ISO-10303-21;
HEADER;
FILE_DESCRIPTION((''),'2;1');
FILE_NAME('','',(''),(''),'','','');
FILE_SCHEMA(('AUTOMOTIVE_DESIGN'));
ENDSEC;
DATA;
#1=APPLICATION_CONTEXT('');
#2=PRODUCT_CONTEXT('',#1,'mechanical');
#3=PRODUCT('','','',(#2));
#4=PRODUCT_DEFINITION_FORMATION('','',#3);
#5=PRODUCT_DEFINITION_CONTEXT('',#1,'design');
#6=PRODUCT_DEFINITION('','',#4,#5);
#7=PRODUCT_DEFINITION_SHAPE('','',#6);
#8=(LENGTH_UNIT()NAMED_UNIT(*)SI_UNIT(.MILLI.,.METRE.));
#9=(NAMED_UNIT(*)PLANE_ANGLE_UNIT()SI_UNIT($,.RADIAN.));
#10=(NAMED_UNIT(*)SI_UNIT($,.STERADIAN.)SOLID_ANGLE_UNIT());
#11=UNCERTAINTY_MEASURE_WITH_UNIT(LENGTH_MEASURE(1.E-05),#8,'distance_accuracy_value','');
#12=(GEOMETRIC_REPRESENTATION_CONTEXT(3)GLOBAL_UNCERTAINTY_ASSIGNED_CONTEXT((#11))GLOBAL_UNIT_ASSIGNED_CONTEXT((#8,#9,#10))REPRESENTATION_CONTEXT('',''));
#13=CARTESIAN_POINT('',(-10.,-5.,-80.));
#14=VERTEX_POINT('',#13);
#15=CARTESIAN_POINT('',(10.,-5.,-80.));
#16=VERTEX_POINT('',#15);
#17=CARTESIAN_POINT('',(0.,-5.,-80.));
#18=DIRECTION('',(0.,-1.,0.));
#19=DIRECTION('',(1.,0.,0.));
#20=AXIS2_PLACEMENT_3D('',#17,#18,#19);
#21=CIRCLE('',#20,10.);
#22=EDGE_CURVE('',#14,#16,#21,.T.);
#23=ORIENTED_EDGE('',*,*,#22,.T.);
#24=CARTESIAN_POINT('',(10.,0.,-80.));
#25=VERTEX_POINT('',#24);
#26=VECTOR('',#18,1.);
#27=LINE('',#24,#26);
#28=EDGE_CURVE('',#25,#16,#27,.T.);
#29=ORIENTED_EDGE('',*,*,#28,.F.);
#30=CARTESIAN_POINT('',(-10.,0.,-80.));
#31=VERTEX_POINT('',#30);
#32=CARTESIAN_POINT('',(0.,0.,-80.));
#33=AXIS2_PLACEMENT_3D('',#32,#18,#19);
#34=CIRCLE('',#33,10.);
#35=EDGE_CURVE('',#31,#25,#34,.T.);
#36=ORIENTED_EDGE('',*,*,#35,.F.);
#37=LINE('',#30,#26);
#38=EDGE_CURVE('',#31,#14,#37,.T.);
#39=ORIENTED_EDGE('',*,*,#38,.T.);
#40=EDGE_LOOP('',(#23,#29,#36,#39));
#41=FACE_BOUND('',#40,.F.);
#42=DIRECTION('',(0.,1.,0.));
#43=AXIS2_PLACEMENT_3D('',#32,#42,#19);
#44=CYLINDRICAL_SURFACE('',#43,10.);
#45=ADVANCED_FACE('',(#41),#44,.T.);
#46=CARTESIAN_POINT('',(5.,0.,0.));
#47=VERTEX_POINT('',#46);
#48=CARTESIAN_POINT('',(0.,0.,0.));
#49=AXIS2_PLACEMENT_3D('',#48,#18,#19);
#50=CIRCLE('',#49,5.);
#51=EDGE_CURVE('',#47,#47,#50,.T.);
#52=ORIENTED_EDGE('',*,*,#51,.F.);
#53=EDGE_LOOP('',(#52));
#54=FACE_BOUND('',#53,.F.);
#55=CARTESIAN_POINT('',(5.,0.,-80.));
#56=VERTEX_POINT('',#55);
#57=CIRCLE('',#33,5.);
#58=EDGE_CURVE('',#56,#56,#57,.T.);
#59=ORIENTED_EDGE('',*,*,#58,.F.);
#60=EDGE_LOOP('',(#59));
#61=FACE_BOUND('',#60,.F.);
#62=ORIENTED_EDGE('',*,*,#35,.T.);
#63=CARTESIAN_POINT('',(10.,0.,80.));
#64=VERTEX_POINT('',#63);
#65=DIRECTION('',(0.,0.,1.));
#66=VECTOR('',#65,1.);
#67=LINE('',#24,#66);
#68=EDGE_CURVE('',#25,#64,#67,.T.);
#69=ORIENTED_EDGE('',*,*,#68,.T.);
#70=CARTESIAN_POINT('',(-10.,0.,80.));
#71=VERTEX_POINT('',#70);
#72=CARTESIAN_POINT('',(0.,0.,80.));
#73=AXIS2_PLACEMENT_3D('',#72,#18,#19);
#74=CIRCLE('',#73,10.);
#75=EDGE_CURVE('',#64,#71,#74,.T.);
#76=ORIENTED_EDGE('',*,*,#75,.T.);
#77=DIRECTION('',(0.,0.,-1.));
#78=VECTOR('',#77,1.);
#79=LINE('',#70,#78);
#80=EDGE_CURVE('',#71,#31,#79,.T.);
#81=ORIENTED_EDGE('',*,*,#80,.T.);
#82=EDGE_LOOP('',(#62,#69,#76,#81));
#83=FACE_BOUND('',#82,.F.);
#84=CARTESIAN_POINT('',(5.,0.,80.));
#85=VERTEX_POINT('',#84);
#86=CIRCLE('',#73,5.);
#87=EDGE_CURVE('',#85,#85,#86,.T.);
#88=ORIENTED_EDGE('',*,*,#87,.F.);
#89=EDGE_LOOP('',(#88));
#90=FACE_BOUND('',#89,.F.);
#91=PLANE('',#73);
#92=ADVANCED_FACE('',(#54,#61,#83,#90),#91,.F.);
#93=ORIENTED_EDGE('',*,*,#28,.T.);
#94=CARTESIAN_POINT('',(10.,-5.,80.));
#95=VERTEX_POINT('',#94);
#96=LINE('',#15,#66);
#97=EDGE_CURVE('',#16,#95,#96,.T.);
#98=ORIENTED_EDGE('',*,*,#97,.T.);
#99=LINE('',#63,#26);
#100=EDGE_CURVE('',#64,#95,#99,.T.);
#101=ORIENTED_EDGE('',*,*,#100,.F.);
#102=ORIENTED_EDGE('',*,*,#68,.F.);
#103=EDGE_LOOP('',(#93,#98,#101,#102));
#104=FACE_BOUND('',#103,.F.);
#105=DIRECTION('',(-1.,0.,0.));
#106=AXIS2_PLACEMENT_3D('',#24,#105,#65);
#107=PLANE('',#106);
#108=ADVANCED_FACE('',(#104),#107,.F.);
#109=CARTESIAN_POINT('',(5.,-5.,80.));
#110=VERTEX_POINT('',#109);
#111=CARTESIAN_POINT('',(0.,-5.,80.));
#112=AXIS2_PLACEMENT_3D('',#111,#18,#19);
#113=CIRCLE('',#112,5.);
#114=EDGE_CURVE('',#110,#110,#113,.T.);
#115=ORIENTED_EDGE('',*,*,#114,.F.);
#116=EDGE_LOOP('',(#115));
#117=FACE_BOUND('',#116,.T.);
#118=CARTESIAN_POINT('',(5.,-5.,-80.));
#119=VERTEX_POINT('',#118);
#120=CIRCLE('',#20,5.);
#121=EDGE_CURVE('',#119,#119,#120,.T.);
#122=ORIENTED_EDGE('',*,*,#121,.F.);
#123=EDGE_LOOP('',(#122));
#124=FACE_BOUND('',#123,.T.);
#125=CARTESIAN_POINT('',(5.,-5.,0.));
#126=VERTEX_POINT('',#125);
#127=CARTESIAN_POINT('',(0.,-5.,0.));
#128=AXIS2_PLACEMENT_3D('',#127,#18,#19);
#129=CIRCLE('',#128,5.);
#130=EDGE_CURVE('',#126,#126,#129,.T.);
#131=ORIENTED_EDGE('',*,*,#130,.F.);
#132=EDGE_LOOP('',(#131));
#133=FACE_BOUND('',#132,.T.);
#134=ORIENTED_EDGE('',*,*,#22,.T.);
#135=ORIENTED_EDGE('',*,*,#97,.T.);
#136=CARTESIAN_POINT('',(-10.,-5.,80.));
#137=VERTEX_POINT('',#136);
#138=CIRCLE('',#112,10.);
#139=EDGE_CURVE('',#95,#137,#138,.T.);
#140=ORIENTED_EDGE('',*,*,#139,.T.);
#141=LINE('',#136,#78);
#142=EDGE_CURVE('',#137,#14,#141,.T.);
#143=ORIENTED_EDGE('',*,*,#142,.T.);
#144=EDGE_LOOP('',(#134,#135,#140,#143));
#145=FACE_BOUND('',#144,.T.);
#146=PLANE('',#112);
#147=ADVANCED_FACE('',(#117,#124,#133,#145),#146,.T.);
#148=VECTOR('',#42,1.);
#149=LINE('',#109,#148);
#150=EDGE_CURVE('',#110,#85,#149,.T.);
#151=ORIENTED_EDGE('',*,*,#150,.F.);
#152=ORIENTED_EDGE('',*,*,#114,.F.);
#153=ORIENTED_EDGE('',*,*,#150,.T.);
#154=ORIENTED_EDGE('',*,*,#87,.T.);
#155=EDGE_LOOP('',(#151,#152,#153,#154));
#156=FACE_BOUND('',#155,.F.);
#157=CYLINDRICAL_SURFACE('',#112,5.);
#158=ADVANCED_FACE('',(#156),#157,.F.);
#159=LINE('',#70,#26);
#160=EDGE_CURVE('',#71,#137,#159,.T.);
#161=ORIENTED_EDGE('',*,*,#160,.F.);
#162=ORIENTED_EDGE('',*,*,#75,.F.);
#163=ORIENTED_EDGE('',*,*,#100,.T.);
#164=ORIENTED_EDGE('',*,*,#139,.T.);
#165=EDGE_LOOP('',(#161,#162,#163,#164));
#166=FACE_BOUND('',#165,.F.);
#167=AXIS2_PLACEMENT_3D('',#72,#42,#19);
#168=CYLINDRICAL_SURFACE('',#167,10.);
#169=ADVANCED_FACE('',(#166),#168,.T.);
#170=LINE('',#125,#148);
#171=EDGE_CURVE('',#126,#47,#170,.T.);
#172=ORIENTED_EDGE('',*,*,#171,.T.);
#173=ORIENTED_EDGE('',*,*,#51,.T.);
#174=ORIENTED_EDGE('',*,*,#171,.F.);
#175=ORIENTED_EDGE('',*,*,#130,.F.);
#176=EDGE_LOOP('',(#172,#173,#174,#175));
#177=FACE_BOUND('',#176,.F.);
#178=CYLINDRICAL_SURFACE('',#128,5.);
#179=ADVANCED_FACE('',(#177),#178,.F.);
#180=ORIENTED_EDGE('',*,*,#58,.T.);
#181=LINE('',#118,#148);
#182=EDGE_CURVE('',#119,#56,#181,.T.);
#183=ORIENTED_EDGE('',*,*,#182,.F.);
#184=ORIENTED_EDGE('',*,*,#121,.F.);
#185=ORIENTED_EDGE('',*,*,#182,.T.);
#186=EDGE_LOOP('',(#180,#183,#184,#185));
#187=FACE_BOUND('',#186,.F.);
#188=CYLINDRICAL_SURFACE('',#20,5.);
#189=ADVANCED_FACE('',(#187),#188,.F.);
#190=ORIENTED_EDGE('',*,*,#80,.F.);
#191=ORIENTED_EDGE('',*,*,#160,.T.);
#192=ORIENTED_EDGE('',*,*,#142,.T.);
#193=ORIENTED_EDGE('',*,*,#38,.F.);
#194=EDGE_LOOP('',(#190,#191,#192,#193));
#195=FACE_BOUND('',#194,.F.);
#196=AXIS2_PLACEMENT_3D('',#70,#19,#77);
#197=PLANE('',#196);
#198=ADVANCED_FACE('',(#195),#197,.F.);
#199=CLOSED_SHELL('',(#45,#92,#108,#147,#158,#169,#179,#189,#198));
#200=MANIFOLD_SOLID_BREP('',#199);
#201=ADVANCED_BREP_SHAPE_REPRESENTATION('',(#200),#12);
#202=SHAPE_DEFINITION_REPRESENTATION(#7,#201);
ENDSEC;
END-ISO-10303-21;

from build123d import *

# Parameters (mm, degrees)
F1_DEPTH = 5
F2_R     = 5
F3_DEPTH = 25


with BuildPart() as f1:
    # F0 (on Front) → F1 (new body)
    with BuildSketch(Plane.XZ):
        with BuildLine():
            ThreePointArc((-10, 80), (0, 70), (10, 80))
            ThreePointArc((10, 80), (0, 90), (-10, 80))
        make_face()
        with BuildLine():
            Line((10, -80), (10, 80))
            ThreePointArc((10, 80), (0, 70), (-10, 80))
            Line((-10, 80), (-10, -80))
            ThreePointArc((-10, -80), (0, -70), (10, -80))
        make_face()
        with BuildLine():
            ThreePointArc((-10, -80), (0, -90), (10, -80))
            ThreePointArc((10, -80), (0, -70), (-10, -80))
        make_face()
    extrude(amount=F1_DEPTH)

    # F2 (on face) → F3 (cut)
    with BuildSketch(Plane.XZ.offset(5)):
        with Locations((0, 80)):
            Circle(F2_R)
        with Locations((0, -80)):
            Circle(F2_R)
        Circle(F2_R)
    extrude(amount=-F3_DEPTH, mode=Mode.SUBTRACT)


solid = f1.part
